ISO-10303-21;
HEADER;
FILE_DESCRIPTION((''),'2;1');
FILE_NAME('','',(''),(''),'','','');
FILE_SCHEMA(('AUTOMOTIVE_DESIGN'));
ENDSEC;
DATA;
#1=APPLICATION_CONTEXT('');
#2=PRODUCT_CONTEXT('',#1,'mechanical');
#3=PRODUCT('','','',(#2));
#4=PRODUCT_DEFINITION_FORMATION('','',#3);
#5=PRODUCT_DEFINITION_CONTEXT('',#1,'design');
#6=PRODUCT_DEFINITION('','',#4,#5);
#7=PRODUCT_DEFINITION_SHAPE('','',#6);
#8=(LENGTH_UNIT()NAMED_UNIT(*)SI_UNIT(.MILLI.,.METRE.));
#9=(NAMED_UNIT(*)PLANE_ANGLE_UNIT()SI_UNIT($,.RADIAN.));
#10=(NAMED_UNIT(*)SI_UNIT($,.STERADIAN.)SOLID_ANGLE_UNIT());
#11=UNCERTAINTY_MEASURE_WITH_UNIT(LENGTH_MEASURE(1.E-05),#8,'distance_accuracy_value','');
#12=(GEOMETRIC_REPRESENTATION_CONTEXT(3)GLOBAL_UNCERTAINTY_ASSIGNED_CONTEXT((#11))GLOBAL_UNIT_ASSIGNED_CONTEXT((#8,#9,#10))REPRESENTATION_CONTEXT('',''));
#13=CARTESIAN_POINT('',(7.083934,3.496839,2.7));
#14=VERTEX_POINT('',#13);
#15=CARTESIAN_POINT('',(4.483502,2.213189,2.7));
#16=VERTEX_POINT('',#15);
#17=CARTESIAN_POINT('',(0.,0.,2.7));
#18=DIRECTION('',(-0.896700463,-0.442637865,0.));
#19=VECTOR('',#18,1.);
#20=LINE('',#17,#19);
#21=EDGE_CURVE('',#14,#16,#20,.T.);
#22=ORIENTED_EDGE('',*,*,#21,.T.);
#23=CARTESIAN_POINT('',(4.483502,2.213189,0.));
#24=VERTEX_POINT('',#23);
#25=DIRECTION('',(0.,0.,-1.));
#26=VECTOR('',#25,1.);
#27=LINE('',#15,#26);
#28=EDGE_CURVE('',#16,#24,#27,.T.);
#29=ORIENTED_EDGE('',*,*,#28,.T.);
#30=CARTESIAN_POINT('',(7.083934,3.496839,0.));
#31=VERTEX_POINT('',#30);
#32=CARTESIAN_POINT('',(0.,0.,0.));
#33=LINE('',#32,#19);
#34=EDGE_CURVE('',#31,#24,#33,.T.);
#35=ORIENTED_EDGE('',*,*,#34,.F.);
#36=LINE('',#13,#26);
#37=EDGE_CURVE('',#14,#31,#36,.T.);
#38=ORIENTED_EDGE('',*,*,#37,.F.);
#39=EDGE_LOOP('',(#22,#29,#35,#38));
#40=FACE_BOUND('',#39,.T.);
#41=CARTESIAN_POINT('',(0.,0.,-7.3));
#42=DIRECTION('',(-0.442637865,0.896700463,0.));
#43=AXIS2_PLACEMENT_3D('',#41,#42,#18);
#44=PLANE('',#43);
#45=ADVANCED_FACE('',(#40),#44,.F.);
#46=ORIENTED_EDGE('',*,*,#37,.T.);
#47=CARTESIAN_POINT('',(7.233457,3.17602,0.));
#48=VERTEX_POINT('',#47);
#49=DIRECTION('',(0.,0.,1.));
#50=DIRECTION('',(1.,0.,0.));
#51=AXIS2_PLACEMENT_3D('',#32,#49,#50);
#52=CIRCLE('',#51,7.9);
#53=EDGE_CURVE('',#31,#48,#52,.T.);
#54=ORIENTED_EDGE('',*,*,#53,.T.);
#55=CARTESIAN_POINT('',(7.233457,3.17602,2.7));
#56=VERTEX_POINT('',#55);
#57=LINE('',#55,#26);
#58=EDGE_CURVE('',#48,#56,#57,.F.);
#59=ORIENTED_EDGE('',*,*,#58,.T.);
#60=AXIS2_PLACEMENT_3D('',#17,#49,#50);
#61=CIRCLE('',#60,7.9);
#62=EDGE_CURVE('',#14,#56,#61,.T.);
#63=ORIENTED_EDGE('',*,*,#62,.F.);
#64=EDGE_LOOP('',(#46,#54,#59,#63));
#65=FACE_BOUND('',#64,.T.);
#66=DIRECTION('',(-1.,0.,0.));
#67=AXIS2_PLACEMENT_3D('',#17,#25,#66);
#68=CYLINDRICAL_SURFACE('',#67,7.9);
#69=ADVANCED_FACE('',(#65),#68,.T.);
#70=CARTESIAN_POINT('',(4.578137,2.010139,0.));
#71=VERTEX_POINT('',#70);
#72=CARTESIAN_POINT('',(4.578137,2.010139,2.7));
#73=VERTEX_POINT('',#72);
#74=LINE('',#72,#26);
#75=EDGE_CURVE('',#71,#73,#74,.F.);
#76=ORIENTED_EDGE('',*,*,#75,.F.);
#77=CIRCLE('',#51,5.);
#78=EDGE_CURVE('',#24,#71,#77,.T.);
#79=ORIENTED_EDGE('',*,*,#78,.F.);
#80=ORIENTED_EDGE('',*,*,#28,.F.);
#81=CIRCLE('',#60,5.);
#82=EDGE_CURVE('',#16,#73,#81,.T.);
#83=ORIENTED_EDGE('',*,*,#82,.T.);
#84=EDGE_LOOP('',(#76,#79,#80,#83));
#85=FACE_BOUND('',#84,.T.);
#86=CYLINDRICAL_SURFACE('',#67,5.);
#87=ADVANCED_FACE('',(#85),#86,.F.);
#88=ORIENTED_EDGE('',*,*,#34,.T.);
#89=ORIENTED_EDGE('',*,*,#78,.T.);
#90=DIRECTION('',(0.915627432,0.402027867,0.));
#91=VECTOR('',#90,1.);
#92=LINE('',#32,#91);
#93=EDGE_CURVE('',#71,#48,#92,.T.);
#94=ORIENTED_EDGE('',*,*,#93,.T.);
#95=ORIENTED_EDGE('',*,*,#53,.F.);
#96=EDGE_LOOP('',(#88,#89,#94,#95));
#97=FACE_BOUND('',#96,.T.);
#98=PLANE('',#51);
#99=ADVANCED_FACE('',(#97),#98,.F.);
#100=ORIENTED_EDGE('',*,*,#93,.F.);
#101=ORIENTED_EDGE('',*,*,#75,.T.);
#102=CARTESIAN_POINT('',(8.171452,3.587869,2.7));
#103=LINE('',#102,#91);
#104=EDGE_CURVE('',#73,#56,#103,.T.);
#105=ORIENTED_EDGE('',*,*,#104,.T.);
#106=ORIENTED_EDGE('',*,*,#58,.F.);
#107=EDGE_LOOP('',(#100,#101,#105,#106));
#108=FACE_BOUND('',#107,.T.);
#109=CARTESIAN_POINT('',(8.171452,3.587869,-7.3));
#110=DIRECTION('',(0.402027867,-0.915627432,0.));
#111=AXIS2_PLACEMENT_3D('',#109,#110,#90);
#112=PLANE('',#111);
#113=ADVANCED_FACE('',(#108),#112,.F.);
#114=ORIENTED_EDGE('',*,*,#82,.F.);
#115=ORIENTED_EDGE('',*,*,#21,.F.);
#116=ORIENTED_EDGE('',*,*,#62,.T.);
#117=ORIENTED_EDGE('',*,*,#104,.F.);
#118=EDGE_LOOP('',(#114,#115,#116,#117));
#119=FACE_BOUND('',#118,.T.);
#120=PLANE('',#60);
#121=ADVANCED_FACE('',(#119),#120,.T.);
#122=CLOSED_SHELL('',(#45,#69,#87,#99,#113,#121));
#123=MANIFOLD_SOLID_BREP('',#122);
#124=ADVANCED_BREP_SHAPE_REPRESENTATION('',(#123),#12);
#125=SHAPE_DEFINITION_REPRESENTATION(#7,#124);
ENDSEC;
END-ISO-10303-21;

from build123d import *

# Parameters (mm, degrees)
SKETCH_1_R          = 7.9
SKETCH_1_R_2        = 5
EXTRUDE_1_DEPTH     = 2.7
CUT_EXTRUDE_1_DEPTH = 10


with BuildPart() as part:
    # 草图1 → 凸台-拉伸1 (new body)
    with BuildSketch(Plane.XY):
        with Locations(Location((0, 0, 0), (0, 0, 180))):
            Circle(SKETCH_1_R)
        with Locations(Location((0, 0, 0), (0, 0, 180))):
            Circle(SKETCH_1_R_2, mode=Mode.SUBTRACT)
    extrude(amount=EXTRUDE_1_DEPTH)

    # 草图2 → 切除-拉伸1 (cut)
    with BuildSketch(Plane.XY.offset(2.7)):
        Polygon((0, 0), (8.171451681, 4.033670186), (8.171451681, 3.587869008), align=None)
    extrude(amount=-CUT_EXTRUDE_1_DEPTH, mode=Mode.SUBTRACT)


solid = part.part
